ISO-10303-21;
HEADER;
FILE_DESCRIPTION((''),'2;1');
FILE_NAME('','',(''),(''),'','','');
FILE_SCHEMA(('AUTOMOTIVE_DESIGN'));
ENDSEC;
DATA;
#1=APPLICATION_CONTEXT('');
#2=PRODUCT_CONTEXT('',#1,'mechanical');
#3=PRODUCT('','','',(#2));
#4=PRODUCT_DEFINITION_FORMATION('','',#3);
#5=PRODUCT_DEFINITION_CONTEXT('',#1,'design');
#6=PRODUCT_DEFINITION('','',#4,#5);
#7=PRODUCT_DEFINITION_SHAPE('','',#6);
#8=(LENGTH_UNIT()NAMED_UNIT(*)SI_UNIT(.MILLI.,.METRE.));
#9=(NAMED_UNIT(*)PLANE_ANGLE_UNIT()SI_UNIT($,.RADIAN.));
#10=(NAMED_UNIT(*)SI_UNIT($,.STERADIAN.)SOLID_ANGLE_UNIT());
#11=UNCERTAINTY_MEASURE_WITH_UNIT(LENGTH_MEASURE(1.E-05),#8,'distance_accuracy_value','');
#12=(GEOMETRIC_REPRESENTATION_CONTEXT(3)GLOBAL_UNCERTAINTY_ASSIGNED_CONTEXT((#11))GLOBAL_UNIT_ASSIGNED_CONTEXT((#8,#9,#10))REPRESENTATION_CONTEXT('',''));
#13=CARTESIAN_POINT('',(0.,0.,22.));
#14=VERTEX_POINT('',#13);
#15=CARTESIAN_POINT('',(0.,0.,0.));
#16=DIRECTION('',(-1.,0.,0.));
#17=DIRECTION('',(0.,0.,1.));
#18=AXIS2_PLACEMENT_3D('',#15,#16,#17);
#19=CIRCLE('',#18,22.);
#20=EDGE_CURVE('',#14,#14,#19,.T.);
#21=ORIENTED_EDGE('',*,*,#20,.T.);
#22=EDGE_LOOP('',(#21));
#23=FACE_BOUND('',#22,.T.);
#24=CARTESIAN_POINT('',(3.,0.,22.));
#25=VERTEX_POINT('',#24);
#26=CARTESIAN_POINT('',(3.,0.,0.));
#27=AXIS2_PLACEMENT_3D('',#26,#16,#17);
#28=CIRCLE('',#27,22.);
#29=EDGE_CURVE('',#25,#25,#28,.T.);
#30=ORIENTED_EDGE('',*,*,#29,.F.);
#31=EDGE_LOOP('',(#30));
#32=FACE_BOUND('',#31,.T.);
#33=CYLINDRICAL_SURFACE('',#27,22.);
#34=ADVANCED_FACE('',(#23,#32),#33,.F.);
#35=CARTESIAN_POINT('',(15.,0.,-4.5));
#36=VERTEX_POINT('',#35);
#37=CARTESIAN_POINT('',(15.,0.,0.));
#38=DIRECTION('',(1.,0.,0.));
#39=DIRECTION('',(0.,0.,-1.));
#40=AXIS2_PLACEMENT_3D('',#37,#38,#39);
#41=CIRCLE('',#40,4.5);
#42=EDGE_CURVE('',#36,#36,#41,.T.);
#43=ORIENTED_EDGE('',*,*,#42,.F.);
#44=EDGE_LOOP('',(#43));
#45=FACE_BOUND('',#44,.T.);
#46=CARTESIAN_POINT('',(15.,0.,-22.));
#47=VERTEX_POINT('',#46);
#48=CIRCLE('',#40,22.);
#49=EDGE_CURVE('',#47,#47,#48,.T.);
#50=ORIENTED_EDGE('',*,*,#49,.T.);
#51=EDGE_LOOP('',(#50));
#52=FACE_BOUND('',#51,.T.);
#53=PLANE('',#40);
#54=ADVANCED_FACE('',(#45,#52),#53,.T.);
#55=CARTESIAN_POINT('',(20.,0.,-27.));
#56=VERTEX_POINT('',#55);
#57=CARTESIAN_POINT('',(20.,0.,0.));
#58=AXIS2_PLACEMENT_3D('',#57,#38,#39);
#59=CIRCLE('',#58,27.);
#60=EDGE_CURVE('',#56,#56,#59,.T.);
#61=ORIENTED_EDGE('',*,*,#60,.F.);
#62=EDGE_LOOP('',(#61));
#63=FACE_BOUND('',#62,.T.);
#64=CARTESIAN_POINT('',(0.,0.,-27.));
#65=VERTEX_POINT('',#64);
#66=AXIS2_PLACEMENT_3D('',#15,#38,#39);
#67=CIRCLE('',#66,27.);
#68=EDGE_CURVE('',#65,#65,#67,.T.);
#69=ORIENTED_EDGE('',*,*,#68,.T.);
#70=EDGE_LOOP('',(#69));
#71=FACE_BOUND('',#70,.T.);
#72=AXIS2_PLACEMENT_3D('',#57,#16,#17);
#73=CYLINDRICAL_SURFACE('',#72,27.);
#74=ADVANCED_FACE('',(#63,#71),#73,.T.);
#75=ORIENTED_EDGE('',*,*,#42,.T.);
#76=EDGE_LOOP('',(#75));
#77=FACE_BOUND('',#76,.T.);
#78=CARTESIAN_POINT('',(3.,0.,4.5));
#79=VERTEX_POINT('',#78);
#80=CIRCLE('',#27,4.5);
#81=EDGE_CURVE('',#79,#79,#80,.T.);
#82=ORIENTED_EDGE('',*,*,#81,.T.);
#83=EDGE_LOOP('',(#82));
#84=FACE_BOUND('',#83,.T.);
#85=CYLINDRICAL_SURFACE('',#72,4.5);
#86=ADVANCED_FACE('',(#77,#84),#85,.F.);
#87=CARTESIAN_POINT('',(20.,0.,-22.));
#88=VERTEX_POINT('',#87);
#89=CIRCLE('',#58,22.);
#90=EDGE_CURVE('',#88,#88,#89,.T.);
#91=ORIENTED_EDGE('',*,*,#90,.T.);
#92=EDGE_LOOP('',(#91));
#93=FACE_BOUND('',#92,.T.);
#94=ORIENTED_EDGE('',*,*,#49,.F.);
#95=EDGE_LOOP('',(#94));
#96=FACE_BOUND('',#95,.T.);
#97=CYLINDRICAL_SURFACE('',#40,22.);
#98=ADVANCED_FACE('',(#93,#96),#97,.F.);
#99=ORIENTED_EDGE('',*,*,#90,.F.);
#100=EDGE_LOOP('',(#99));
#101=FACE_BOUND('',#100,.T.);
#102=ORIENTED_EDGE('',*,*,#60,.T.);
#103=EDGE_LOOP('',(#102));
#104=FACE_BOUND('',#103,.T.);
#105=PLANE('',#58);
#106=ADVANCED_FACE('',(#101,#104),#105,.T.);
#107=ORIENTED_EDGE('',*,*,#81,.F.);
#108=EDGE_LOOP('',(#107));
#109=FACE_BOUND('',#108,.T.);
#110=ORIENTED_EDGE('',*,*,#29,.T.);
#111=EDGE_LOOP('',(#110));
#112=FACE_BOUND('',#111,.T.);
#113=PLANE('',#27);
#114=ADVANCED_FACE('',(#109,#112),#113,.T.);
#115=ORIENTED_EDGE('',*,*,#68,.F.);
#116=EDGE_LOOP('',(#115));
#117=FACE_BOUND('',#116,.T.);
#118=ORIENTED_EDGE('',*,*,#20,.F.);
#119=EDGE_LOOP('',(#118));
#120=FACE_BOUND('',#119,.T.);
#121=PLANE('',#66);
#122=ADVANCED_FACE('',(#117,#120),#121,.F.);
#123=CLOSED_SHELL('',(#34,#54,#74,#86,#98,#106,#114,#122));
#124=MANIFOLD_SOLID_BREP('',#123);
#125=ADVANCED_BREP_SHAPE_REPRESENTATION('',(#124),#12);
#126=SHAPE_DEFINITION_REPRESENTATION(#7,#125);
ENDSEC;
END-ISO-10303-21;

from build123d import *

# Parameters (mm, degrees)
ESQUISSE1_R             = 27
ESQUISSE1_R_2           = 4.5
EXTRUSION1_DEPTH        = 20
ESQUISSE2_R             = 22
ENL_V_MAT_EXTRU_1_DEPTH = 3
ESQUISSE3_R             = 22
ENL_V_MAT_EXTRU_2_DEPTH = 5


with BuildPart() as part:
    # Esquisse1 → Extrusion1 (new body)
    with BuildSketch(Plane(origin=(0, 0, 0), x_dir=(0, 0, -1), z_dir=(1, 0, 0))):
        Circle(ESQUISSE1_R)
        Circle(ESQUISSE1_R_2, mode=Mode.SUBTRACT)
    extrude(amount=EXTRUSION1_DEPTH)

    # Esquisse2 → Enlèv. mat.-Extru.1 (cut)
    with BuildSketch(Plane.ZY):
        Circle(ESQUISSE2_R)
    extrude(amount=-ENL_V_MAT_EXTRU_1_DEPTH, mode=Mode.SUBTRACT)

    # Esquisse3 → Enlèv. mat.-Extru.2 (cut)
    with BuildSketch(Plane(origin=(20, 0, 0), x_dir=(0, 0, -1), z_dir=(1, 0, 0))):
        Circle(ESQUISSE3_R)
    extrude(amount=-ENL_V_MAT_EXTRU_2_DEPTH, mode=Mode.SUBTRACT)


solid = part.part
